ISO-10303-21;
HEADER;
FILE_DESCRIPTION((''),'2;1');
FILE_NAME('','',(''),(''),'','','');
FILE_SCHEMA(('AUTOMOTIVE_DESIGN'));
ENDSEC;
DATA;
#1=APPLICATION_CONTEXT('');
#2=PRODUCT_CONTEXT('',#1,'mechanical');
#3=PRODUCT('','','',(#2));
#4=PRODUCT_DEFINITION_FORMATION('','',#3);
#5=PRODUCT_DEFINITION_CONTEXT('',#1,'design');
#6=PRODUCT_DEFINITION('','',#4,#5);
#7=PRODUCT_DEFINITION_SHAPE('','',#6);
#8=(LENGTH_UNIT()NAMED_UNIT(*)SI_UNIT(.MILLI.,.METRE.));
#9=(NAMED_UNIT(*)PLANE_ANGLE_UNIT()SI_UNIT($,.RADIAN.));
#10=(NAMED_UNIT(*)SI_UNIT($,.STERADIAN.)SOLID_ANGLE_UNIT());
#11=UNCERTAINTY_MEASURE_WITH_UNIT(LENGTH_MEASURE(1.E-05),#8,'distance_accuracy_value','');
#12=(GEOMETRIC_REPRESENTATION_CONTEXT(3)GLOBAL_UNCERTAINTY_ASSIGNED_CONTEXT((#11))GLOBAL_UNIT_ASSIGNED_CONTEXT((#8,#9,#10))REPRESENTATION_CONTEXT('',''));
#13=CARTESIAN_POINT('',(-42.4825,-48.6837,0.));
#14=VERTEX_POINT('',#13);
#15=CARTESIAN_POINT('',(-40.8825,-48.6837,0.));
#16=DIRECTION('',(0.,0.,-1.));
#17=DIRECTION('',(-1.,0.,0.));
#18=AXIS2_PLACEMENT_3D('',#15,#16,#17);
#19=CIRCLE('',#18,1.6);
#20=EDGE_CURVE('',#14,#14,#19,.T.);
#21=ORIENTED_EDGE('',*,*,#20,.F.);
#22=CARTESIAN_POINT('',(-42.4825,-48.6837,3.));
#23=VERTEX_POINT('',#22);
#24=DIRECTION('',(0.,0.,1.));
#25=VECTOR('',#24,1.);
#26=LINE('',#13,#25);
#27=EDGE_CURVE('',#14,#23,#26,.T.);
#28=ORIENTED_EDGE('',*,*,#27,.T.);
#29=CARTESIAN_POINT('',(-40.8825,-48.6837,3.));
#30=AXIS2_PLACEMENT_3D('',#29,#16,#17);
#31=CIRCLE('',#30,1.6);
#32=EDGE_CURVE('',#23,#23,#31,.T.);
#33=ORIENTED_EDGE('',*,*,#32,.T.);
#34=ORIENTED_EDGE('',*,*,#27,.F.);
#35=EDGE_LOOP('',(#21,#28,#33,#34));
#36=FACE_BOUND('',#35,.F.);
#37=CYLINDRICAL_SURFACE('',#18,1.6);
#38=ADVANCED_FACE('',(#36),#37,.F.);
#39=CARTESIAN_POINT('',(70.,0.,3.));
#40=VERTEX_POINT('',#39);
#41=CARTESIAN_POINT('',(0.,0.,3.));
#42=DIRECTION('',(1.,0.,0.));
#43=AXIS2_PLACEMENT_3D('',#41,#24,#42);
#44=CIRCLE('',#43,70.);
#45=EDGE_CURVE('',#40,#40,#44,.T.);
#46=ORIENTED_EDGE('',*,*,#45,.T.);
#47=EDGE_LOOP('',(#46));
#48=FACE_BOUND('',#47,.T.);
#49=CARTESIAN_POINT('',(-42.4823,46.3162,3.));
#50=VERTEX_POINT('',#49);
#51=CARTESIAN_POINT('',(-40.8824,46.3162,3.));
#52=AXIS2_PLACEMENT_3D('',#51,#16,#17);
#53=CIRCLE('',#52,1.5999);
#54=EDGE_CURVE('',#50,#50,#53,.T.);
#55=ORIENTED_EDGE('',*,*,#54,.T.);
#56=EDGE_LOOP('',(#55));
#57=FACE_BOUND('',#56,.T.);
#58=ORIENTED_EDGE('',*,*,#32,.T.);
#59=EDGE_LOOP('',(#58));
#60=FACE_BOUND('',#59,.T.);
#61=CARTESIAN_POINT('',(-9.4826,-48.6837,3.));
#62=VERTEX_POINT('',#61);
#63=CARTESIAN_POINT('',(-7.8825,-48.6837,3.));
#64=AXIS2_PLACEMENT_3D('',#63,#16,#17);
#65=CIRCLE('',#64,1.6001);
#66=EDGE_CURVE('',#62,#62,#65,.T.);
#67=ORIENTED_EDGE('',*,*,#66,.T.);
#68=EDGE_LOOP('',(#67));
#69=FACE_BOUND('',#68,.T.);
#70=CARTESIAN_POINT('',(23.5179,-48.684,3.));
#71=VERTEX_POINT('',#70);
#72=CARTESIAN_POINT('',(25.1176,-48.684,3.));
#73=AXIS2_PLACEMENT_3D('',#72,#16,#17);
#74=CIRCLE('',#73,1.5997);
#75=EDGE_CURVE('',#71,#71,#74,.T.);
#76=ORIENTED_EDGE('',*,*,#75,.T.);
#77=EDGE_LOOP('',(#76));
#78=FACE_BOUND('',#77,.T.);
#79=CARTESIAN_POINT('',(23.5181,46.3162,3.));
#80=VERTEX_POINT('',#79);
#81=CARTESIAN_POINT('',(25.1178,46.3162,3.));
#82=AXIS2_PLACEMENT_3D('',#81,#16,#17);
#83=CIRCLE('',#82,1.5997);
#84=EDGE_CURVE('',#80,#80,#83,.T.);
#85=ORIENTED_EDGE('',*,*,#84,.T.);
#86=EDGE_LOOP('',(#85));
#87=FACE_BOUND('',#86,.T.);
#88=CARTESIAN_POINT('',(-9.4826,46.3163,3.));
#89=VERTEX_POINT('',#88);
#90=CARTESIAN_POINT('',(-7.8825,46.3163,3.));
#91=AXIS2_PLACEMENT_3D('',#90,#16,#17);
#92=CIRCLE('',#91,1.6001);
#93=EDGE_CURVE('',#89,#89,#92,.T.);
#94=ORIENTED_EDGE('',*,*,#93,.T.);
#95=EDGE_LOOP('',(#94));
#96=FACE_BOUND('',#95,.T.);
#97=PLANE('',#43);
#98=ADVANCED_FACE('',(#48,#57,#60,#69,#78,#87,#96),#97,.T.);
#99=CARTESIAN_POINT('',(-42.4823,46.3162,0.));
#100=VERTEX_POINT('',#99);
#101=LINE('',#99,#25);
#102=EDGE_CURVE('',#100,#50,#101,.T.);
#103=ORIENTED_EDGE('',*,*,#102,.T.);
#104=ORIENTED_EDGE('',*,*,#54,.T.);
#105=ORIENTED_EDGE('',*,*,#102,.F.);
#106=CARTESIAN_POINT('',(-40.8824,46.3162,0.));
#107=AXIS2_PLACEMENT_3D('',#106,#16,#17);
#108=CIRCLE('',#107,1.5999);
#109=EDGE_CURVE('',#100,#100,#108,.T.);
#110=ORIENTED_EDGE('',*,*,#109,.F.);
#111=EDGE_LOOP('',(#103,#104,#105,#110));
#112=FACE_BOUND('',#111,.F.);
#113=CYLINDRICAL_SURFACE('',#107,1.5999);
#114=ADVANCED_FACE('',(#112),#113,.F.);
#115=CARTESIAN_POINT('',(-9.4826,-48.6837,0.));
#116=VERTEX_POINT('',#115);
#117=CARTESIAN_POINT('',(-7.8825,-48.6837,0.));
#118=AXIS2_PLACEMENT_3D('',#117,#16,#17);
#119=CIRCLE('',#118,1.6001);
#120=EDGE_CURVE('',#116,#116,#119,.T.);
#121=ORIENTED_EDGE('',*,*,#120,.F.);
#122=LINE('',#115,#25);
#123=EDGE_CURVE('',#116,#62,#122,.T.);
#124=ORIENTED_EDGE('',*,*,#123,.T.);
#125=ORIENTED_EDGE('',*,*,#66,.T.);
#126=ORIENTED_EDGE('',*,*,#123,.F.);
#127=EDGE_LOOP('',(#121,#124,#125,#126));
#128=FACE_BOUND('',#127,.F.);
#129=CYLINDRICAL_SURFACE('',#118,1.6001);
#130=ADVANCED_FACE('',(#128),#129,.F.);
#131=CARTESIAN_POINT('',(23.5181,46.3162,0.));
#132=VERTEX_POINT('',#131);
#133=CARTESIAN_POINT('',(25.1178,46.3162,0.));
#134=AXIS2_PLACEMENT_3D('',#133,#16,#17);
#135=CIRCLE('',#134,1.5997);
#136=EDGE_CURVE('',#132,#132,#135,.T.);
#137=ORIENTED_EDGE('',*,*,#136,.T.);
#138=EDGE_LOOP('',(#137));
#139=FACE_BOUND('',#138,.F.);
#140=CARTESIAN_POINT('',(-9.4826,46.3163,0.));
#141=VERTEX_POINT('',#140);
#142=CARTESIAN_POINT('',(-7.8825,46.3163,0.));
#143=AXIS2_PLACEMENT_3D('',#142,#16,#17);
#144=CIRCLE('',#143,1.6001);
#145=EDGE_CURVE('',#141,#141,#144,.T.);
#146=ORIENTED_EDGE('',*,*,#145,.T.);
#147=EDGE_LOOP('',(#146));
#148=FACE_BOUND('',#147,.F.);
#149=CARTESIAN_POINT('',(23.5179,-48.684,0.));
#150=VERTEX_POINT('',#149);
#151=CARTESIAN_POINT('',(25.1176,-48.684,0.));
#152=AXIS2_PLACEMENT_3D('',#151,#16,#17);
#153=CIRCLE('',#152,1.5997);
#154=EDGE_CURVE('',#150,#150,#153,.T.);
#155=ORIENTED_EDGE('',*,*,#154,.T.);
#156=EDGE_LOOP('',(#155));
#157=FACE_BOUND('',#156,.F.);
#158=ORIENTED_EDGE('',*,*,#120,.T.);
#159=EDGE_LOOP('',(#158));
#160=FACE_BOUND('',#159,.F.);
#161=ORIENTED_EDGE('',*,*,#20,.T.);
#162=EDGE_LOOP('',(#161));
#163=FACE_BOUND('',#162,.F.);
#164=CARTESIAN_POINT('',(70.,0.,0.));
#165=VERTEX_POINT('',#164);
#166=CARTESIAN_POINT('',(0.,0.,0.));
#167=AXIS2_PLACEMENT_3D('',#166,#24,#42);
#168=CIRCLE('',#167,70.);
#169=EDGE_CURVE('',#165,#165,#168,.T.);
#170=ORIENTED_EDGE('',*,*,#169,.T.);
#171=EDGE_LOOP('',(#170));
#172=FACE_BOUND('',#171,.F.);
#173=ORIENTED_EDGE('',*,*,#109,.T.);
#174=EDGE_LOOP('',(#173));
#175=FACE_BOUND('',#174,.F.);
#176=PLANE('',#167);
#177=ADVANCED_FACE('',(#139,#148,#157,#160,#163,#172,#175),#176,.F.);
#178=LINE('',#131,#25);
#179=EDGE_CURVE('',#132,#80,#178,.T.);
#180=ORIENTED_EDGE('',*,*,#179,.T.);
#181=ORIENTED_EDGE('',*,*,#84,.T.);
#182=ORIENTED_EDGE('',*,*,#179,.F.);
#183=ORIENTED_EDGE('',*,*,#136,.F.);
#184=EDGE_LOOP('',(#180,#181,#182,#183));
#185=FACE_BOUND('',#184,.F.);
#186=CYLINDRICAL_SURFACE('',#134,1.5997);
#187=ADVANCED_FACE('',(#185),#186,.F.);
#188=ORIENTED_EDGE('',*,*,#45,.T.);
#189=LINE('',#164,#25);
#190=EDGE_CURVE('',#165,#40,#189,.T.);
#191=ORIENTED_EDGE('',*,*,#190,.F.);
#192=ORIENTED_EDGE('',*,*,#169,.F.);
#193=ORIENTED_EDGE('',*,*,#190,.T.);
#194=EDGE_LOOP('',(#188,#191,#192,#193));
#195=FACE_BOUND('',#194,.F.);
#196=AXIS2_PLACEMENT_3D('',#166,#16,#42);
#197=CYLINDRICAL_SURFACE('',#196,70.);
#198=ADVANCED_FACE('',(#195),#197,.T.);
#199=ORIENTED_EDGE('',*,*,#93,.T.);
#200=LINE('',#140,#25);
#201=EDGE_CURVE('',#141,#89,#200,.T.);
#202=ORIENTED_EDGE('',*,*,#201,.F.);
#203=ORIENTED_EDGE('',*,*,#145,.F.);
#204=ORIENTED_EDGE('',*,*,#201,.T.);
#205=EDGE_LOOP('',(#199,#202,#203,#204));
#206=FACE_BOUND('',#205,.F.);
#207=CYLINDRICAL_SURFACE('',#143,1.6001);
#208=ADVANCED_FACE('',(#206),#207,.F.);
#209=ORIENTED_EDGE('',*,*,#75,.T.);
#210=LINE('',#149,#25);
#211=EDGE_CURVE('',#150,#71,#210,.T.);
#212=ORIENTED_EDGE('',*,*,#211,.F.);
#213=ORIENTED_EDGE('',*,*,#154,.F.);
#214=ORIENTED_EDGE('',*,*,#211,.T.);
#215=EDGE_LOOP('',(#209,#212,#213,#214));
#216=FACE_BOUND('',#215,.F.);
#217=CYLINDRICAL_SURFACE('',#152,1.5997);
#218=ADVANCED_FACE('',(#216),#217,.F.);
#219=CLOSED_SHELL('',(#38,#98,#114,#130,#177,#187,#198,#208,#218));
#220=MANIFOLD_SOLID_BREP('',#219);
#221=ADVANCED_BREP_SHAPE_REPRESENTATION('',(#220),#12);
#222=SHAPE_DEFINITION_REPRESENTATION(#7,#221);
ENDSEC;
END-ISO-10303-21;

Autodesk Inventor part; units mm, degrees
ref_plane "YZ Plane" through (0, 0, 0) normal (1, 0, 0) x (0, 1, 0)
ref_plane "XZ Plane" through (0, 0, 0) normal (0, 1, 0) x (-1, 0, 0)
ref_plane "XY Plane" through (0, 0, 0) normal (0, 0, 1) x (1, 0, 0)
sketch "Эскиз1" plane through (0, 0, 0) normal (0, 0, 1) x (1, 0, 0)
  circle A0 centre (0, 0) radius 70
  circle A1 centre (-40.8825, 46.3163) radius 1.6 projected
  circle A2 centre (-7.8825, 46.3163) radius 1.6 projected
  circle A3 centre (25.1173, 46.3164) radius 1.6002 projected
  circle A4 centre (25.1175, -48.6837) radius 1.6 projected
  circle A5 centre (-7.8825, -48.6837) radius 1.6 projected
  circle A6 centre (-40.8826, -48.6837) radius 1.6001 projected
  dimension "d0" = 140
extrude "Выдавливание1" add sketch "Эскиз1" along normal blind 3 contours A0 | A1 | A2 | A3 | A4 | A5 | A6
sketch "Эскиз3" plane through (0, 0, 0) normal (0, 0, -1) x (-1, 0, 0)
  circle A0 centre (40.8825, -48.6837) radius 1.6 projected
  circle A1 centre (7.8825, -48.6837) radius 1.6001 projected
  circle A2 centre (-25.1176, -48.684) radius 1.5997 projected
  circle A3 centre (-25.1178, 46.3162) radius 1.5997 projected
  circle A4 centre (7.8825, 46.3163) radius 1.6001 projected
  circle A5 centre (40.8824, 46.3162) radius 1.5999 projected
  point P0 (0, 0)
extrude "Выдавливание2" cut sketch "Эскиз3" against normal through all
properties part number "фанера для акб"
